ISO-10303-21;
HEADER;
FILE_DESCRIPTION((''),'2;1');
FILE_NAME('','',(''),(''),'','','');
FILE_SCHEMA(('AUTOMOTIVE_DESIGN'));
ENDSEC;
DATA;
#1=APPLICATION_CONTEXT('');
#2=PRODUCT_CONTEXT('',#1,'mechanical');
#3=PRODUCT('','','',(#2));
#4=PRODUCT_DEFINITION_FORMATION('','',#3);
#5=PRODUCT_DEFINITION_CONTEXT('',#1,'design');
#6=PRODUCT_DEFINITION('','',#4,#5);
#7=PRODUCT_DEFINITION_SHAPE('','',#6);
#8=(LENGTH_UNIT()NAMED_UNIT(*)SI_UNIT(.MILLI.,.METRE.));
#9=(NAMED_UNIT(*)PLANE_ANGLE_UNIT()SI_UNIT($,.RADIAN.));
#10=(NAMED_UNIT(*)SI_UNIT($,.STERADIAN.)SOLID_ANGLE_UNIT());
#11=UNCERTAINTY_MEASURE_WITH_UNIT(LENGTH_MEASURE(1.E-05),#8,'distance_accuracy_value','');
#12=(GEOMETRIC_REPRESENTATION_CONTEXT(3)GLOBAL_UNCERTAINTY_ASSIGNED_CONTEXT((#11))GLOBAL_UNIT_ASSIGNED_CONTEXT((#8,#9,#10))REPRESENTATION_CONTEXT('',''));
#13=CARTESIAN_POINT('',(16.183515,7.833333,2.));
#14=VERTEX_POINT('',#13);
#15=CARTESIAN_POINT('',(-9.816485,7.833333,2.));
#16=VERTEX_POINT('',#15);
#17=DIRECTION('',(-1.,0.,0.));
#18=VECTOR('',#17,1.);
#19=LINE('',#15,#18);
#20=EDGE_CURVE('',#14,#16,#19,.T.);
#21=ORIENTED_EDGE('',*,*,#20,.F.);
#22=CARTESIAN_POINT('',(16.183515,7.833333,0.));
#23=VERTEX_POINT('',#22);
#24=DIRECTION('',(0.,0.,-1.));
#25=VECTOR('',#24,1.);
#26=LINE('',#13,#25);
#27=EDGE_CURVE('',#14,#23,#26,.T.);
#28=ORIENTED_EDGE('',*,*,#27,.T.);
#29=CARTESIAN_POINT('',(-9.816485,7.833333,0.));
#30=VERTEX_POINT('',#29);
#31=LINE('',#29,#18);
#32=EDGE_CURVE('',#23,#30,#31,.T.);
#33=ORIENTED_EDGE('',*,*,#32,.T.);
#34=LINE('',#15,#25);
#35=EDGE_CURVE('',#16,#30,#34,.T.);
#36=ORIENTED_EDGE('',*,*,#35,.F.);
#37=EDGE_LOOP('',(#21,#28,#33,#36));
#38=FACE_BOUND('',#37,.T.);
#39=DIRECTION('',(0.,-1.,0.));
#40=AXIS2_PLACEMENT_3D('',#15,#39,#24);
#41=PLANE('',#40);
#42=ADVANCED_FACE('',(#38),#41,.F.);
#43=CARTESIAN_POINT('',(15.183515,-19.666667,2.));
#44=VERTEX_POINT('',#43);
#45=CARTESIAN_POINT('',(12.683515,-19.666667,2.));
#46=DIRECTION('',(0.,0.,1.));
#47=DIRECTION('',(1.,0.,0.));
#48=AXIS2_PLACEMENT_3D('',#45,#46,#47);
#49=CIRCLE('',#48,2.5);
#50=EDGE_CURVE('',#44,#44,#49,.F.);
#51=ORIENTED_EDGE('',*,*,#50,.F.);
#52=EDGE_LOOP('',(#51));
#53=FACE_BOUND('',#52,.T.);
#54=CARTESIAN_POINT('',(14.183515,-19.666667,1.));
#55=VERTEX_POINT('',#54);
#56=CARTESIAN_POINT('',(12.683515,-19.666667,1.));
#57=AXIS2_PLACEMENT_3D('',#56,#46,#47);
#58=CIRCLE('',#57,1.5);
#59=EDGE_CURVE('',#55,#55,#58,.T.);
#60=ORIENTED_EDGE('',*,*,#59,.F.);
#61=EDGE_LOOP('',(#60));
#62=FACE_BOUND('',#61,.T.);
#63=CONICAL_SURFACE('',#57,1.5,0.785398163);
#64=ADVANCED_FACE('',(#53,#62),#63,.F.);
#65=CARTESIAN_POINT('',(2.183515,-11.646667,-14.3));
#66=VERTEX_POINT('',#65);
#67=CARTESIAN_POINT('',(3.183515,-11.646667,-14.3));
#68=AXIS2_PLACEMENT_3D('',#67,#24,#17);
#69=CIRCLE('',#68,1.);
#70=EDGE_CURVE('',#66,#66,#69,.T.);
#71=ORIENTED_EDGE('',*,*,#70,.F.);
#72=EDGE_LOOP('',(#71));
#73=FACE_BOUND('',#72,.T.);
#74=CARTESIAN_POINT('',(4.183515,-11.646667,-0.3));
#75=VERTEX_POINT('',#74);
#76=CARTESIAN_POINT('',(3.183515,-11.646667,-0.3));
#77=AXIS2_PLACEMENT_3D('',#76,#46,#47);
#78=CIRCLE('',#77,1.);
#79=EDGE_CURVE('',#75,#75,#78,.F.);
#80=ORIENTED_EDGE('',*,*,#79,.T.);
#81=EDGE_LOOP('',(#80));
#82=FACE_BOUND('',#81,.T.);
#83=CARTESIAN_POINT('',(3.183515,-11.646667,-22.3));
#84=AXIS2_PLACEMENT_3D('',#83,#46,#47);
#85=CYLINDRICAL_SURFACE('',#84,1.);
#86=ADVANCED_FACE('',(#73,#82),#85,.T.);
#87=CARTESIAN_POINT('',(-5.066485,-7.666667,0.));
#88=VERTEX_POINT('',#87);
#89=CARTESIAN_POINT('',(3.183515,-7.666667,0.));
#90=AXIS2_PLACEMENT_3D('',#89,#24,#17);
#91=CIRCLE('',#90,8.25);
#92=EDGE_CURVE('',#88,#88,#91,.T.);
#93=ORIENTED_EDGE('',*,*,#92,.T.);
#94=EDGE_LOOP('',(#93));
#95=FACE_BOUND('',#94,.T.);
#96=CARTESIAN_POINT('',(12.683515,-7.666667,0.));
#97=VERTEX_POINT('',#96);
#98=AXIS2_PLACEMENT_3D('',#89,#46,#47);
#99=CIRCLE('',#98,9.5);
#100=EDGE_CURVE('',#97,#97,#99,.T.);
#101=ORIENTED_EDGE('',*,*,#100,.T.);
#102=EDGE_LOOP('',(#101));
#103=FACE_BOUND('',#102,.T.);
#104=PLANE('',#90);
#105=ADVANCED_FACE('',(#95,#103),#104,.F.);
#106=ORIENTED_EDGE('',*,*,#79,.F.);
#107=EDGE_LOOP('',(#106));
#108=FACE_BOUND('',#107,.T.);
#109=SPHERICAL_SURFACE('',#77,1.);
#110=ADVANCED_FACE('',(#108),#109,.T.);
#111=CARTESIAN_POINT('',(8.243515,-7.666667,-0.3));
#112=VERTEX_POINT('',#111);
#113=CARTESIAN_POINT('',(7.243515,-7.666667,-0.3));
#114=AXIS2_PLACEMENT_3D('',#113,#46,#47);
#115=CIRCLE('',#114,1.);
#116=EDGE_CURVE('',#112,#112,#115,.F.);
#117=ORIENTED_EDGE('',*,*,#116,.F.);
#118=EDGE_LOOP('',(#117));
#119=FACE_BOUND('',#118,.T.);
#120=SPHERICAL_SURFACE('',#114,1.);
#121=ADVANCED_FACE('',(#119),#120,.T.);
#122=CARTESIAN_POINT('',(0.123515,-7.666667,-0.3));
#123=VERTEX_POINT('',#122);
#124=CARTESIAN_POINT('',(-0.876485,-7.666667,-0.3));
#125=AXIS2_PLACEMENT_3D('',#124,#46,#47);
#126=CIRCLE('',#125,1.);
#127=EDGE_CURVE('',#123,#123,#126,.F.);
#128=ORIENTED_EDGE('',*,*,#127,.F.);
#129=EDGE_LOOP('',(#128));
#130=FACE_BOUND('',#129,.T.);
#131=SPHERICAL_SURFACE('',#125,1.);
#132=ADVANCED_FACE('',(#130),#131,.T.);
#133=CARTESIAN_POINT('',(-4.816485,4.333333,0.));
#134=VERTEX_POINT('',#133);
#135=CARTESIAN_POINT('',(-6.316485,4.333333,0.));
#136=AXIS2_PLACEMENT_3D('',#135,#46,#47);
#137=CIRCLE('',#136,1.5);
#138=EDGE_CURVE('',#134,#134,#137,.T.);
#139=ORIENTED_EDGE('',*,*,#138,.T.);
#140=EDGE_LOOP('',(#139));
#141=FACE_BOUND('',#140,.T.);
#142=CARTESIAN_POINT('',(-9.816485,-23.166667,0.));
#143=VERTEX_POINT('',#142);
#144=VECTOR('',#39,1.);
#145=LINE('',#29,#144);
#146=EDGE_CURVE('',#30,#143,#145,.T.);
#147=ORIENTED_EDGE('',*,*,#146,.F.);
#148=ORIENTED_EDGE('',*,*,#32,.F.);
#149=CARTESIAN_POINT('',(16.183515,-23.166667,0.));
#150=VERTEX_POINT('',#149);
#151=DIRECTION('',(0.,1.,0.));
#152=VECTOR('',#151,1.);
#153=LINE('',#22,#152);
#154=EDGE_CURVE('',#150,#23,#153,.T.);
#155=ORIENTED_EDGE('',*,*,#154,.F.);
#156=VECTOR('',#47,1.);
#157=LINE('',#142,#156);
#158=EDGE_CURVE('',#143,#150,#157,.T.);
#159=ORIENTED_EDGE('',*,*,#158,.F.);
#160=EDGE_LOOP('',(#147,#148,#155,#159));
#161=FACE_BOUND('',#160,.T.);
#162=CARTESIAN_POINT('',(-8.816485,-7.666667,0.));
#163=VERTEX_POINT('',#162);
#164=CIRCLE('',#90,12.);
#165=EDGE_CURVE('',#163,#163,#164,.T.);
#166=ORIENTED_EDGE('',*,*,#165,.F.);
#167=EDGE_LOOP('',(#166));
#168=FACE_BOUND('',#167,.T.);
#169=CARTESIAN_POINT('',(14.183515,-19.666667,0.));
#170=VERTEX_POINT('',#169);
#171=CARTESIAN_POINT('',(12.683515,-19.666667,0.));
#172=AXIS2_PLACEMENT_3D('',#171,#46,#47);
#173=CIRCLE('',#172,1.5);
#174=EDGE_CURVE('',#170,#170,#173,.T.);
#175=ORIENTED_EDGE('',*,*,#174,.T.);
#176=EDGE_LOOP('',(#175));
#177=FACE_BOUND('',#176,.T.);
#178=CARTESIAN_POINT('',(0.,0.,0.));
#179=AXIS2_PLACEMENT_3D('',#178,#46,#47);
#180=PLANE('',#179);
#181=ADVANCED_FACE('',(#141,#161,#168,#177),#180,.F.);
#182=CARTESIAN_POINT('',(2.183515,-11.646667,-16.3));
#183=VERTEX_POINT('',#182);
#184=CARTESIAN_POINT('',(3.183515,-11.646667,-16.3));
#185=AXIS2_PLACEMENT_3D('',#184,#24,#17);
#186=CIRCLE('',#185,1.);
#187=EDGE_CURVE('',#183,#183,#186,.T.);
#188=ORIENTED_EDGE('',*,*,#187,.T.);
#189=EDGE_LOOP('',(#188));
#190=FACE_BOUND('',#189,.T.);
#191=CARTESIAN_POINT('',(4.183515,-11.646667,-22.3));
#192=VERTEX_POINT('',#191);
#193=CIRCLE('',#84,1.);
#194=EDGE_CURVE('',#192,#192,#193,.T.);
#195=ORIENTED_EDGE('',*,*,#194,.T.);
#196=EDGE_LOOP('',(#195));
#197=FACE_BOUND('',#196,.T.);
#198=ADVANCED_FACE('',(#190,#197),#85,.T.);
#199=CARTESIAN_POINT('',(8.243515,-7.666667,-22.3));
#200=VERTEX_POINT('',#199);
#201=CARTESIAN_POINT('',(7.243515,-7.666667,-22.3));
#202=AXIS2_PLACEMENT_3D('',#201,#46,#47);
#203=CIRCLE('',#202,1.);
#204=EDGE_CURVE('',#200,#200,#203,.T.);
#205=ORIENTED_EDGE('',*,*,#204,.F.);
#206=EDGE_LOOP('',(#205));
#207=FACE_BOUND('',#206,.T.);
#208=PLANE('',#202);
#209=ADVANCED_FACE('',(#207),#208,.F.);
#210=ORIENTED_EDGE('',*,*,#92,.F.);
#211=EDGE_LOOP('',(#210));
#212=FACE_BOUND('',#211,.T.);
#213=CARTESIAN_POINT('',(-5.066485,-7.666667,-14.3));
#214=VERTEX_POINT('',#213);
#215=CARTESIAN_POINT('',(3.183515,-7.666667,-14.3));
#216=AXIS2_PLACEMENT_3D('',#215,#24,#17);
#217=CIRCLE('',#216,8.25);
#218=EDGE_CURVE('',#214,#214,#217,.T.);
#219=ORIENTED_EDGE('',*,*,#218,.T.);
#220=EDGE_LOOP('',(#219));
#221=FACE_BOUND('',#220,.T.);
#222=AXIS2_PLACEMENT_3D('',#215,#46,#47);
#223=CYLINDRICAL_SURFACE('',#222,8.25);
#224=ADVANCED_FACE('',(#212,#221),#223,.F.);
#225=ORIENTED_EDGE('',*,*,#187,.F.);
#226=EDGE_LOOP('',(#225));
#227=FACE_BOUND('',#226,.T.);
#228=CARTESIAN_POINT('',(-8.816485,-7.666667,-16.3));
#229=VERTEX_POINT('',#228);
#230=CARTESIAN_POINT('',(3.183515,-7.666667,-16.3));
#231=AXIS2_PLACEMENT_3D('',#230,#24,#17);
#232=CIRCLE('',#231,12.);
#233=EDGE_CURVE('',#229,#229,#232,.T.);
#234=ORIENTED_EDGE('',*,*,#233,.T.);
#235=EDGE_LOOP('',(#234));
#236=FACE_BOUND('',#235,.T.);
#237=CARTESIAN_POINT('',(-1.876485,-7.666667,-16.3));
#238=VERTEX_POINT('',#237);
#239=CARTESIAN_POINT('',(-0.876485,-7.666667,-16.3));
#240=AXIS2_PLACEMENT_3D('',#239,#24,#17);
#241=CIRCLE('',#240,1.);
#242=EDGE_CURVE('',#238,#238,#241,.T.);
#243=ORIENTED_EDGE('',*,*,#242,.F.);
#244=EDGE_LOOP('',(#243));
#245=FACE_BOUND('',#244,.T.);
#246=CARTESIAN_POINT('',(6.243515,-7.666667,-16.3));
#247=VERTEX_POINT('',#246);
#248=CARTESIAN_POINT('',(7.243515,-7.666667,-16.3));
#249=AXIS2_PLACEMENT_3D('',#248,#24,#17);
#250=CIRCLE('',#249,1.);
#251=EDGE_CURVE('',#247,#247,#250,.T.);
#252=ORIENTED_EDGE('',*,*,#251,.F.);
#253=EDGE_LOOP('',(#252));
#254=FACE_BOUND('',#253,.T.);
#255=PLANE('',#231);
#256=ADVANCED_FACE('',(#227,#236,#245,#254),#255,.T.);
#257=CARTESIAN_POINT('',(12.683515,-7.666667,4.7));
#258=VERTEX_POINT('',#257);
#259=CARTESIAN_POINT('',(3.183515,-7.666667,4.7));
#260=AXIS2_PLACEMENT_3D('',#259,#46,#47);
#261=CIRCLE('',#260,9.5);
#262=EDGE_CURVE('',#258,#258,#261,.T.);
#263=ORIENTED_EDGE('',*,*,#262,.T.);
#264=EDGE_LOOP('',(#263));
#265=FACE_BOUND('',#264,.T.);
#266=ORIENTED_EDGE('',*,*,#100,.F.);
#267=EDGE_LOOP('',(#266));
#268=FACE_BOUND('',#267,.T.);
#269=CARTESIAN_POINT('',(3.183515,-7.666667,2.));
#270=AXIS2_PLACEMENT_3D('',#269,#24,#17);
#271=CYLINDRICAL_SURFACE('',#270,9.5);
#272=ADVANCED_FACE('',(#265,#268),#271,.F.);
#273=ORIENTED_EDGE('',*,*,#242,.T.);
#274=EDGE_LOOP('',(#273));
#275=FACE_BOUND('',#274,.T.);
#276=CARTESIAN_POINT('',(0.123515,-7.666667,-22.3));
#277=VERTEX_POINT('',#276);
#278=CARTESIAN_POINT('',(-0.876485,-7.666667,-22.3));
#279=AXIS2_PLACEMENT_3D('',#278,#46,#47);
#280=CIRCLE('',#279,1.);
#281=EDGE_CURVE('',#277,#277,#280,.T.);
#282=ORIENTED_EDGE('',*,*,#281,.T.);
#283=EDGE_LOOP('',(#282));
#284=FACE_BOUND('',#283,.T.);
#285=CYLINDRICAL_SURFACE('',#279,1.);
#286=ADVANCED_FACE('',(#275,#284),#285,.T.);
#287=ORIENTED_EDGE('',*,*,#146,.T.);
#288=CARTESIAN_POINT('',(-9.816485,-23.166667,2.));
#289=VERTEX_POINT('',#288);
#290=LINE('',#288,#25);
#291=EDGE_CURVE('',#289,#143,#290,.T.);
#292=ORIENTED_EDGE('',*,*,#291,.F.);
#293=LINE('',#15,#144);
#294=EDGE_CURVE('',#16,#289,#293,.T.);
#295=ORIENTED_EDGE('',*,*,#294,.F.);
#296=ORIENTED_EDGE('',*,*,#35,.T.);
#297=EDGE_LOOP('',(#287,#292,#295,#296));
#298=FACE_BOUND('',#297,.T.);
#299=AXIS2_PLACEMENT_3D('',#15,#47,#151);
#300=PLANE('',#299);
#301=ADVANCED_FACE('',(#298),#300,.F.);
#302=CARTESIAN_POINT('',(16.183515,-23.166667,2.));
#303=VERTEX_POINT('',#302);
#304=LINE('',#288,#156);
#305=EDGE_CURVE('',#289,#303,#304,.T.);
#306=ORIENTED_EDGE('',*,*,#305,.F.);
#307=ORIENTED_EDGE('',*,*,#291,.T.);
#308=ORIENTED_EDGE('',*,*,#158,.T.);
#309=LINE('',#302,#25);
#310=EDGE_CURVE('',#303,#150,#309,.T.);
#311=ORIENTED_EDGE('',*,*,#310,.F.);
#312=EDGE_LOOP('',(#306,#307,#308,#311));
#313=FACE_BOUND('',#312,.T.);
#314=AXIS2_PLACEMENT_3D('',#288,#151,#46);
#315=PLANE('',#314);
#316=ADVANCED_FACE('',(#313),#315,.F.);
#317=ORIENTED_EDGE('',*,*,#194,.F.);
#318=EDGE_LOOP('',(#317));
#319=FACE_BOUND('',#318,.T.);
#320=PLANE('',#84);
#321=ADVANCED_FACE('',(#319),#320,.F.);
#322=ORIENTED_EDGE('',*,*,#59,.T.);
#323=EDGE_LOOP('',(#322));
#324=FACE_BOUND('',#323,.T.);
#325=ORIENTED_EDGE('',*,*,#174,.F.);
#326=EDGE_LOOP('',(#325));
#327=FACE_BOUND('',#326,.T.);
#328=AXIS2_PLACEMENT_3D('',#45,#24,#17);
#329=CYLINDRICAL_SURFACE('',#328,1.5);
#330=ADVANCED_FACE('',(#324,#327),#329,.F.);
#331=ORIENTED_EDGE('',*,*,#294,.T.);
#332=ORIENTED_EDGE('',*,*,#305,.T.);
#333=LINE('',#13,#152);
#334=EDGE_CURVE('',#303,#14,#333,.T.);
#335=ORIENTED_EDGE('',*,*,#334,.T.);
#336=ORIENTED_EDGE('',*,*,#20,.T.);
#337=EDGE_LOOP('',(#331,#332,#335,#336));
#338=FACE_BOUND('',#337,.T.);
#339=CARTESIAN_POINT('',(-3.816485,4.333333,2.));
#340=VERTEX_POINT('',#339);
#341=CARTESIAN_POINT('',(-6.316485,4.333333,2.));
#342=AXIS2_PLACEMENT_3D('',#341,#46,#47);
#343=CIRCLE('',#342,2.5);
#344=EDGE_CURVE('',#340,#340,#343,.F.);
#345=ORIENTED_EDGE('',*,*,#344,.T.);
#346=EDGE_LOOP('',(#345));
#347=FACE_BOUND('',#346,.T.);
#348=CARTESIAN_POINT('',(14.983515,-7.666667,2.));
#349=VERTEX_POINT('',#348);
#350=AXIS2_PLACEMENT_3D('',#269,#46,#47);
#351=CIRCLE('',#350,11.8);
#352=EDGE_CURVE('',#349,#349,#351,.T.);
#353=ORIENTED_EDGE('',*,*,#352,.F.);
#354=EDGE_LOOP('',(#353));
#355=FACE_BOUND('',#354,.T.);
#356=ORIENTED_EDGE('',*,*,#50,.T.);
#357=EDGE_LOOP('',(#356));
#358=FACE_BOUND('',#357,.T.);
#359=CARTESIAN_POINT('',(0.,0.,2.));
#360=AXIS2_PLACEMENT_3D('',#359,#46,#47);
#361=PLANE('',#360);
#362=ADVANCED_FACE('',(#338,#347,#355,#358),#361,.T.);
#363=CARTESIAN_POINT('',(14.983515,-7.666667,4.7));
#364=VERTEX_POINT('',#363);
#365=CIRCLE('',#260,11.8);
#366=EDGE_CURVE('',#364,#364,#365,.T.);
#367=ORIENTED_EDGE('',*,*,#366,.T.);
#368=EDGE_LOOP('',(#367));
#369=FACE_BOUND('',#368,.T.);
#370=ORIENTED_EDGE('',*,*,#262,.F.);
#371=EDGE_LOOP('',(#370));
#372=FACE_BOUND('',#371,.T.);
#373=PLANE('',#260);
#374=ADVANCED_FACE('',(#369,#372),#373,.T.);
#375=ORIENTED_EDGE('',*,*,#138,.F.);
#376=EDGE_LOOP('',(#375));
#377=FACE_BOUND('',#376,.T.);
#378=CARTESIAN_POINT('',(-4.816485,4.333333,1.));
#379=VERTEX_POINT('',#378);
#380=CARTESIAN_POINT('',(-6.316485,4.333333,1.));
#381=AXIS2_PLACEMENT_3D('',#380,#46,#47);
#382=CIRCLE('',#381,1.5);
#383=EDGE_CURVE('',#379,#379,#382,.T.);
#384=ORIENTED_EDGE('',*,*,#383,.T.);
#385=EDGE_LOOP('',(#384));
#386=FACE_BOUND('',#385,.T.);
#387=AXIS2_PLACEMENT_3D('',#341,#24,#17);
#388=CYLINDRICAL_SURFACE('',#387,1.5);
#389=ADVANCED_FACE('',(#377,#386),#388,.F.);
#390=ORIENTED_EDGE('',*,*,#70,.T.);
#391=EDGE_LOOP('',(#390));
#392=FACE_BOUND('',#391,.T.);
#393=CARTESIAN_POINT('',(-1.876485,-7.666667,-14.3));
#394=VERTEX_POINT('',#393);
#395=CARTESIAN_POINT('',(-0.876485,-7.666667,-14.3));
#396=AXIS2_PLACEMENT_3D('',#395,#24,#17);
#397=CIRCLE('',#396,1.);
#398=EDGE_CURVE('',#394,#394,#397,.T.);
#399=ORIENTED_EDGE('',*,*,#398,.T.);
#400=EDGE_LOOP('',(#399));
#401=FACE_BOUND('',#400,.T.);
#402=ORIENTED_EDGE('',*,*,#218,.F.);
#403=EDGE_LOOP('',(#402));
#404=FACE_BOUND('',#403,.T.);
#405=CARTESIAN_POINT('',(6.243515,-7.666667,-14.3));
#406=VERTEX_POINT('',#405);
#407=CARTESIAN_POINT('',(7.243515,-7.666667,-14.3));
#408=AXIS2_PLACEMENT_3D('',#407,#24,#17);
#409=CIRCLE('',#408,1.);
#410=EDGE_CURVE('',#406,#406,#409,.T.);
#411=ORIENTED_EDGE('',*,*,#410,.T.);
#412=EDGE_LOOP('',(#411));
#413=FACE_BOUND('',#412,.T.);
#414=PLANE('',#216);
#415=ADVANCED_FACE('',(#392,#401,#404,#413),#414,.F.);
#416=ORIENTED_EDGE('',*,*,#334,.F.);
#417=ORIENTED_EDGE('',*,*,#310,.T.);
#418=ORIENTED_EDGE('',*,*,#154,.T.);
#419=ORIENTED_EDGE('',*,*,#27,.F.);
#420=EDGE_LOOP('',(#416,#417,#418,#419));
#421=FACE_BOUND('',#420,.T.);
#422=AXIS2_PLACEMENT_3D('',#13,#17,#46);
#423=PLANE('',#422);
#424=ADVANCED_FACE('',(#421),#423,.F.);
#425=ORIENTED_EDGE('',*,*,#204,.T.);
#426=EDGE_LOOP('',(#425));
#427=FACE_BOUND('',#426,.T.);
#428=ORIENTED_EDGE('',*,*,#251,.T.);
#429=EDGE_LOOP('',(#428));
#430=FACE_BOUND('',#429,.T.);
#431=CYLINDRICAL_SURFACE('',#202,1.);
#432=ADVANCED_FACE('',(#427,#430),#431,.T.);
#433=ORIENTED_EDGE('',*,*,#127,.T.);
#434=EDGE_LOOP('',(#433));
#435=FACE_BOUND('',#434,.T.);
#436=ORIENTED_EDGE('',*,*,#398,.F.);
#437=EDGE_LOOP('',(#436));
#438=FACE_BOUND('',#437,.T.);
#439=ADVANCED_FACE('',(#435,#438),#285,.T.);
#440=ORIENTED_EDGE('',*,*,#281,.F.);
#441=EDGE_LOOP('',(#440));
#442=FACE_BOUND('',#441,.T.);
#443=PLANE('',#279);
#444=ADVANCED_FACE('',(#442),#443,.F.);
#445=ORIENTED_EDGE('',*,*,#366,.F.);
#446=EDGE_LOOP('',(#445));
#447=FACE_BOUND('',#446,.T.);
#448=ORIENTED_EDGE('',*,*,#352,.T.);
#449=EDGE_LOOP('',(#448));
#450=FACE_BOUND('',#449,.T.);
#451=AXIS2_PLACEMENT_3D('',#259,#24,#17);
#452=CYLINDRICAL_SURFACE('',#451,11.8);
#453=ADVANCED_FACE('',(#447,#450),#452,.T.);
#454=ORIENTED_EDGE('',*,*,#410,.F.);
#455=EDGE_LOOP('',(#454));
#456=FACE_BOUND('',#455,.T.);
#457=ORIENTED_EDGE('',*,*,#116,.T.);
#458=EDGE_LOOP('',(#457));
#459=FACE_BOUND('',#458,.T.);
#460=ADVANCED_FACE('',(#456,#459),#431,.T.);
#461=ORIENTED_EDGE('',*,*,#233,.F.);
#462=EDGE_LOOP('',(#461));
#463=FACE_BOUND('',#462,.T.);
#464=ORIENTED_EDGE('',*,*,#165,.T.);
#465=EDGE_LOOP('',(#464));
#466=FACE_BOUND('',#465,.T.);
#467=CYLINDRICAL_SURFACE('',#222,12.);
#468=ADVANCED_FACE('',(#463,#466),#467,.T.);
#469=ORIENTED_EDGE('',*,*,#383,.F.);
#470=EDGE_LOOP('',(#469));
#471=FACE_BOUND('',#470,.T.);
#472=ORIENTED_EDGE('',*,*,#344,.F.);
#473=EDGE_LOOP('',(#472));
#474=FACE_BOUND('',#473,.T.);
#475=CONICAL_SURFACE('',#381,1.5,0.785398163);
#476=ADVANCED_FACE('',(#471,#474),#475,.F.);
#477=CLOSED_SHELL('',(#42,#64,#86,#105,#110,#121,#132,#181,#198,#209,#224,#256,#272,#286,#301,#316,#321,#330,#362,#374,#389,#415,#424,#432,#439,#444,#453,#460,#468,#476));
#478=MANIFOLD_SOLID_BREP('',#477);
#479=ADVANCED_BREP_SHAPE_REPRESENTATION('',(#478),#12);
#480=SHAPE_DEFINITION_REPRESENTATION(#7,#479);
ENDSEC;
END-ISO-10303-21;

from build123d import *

# Parameters (mm, degrees)
ESQUISSE1_W             = 26
ESQUISSE1_H             = 31
ESQUISSE1_R             = 9.5
ESQUISSE1_R_2           = 1.5
BOSS_EXTRU_1_DEPTH      = 2
ESQUISSE2_R             = 11.8
ESQUISSE2_R_2           = 9.5
BOSS_EXTRU_2_DEPTH      = 2.7
CHANFREIN1_SIZE         = 1
ESQUISSE3_R             = 12
ESQUISSE3_R_2           = 8.25
BOSS_EXTRU_3_DEPTH      = 14.3
ESQUISSE4_R             = 12
BOSS_EXTRU_4_DEPTH      = 2
ESQUISSE5_R             = 1
BOSS_EXTRU_5_DEPTH      = 15
BOSS_EXTRU_5_DEPTH_BACK = 8
CONG_1_R                = 1


with BuildPart() as part:
    # Esquisse1 → Boss.-Extru.1 (new body)
    with BuildSketch(Plane.XY):
        with Locations((3.183515483, -7.666666667)):
            Rectangle(ESQUISSE1_W, ESQUISSE1_H)
        with Locations((3.183515483, -7.666666667)):
            Circle(ESQUISSE1_R, mode=Mode.SUBTRACT)
        with Locations((-6.316484517, 4.333333333)):
            Circle(ESQUISSE1_R_2, mode=Mode.SUBTRACT)
        with Locations((12.683515483, -19.666666667)):
            Circle(ESQUISSE1_R_2, mode=Mode.SUBTRACT)
    extrude(amount=BOSS_EXTRU_1_DEPTH)

    # Esquisse2 → Boss.-Extru.2 (add)
    with BuildSketch(Plane.XY.offset(2)):
        with Locations((3.183515483, -7.666666667)):
            Circle(ESQUISSE2_R)
        with Locations((3.183515483, -7.666666667)):
            Circle(ESQUISSE2_R_2, mode=Mode.SUBTRACT)
    extrude(amount=BOSS_EXTRU_2_DEPTH)

    # Chanfrein1
    chanfrein1_edges = [part.edges().sort_by_distance(p)[0] for p in [
        (-7.816484517, 4.333333333, 2),
        (11.183515483, -19.666666667, 2),
    ]]
    chamfer(chanfrein1_edges, length=CHANFREIN1_SIZE)

    # Esquisse3 → Boss.-Extru.3 (add)
    with BuildSketch(Plane(origin=(0, 0, 0), x_dir=(-1, 0, 0), z_dir=(0, 0, -1))):
        with Locations((-3.183515483, -7.666666667)):
            Circle(ESQUISSE3_R)
        with Locations((-3.183515483, -7.666666667)):
            Circle(ESQUISSE3_R_2, mode=Mode.SUBTRACT)
    extrude(amount=BOSS_EXTRU_3_DEPTH)

    # Esquisse4 → Boss.-Extru.4 (add)
    with BuildSketch(Plane(origin=(0, 0, -14.3), x_dir=(-1, 0, 0), z_dir=(0, 0, -1))):
        with Locations((-3.183515483, -7.666666667)):
            Circle(ESQUISSE4_R)
    extrude(amount=BOSS_EXTRU_4_DEPTH)

    # Esquisse5 → Boss.-Extru.5 (add, two sides)
    with BuildSketch(Plane.XY.offset(-14.3)) as boss_extru_5_sk:
        with Locations((7.243515483, -7.666666667)):
            Circle(ESQUISSE5_R)
        with Locations((-0.876484517, -7.666666667)):
            Circle(ESQUISSE5_R)
        with Locations((3.183515483, -11.646666667)):
            Circle(ESQUISSE5_R)
    extrude(amount=BOSS_EXTRU_5_DEPTH)
    extrude(boss_extru_5_sk.sketch, amount=-BOSS_EXTRU_5_DEPTH_BACK)

    # Congé1
    cong_1_edges = [part.edges().sort_by_distance(p)[0] for p in [
        (6.243515483, -7.666666667, 0.7),
        (-1.876484517, -7.666666667, 0.7),
        (2.183515483, -11.646666667, 0.7),
    ]]
    fillet(cong_1_edges, radius=CONG_1_R)


solid = part.part
